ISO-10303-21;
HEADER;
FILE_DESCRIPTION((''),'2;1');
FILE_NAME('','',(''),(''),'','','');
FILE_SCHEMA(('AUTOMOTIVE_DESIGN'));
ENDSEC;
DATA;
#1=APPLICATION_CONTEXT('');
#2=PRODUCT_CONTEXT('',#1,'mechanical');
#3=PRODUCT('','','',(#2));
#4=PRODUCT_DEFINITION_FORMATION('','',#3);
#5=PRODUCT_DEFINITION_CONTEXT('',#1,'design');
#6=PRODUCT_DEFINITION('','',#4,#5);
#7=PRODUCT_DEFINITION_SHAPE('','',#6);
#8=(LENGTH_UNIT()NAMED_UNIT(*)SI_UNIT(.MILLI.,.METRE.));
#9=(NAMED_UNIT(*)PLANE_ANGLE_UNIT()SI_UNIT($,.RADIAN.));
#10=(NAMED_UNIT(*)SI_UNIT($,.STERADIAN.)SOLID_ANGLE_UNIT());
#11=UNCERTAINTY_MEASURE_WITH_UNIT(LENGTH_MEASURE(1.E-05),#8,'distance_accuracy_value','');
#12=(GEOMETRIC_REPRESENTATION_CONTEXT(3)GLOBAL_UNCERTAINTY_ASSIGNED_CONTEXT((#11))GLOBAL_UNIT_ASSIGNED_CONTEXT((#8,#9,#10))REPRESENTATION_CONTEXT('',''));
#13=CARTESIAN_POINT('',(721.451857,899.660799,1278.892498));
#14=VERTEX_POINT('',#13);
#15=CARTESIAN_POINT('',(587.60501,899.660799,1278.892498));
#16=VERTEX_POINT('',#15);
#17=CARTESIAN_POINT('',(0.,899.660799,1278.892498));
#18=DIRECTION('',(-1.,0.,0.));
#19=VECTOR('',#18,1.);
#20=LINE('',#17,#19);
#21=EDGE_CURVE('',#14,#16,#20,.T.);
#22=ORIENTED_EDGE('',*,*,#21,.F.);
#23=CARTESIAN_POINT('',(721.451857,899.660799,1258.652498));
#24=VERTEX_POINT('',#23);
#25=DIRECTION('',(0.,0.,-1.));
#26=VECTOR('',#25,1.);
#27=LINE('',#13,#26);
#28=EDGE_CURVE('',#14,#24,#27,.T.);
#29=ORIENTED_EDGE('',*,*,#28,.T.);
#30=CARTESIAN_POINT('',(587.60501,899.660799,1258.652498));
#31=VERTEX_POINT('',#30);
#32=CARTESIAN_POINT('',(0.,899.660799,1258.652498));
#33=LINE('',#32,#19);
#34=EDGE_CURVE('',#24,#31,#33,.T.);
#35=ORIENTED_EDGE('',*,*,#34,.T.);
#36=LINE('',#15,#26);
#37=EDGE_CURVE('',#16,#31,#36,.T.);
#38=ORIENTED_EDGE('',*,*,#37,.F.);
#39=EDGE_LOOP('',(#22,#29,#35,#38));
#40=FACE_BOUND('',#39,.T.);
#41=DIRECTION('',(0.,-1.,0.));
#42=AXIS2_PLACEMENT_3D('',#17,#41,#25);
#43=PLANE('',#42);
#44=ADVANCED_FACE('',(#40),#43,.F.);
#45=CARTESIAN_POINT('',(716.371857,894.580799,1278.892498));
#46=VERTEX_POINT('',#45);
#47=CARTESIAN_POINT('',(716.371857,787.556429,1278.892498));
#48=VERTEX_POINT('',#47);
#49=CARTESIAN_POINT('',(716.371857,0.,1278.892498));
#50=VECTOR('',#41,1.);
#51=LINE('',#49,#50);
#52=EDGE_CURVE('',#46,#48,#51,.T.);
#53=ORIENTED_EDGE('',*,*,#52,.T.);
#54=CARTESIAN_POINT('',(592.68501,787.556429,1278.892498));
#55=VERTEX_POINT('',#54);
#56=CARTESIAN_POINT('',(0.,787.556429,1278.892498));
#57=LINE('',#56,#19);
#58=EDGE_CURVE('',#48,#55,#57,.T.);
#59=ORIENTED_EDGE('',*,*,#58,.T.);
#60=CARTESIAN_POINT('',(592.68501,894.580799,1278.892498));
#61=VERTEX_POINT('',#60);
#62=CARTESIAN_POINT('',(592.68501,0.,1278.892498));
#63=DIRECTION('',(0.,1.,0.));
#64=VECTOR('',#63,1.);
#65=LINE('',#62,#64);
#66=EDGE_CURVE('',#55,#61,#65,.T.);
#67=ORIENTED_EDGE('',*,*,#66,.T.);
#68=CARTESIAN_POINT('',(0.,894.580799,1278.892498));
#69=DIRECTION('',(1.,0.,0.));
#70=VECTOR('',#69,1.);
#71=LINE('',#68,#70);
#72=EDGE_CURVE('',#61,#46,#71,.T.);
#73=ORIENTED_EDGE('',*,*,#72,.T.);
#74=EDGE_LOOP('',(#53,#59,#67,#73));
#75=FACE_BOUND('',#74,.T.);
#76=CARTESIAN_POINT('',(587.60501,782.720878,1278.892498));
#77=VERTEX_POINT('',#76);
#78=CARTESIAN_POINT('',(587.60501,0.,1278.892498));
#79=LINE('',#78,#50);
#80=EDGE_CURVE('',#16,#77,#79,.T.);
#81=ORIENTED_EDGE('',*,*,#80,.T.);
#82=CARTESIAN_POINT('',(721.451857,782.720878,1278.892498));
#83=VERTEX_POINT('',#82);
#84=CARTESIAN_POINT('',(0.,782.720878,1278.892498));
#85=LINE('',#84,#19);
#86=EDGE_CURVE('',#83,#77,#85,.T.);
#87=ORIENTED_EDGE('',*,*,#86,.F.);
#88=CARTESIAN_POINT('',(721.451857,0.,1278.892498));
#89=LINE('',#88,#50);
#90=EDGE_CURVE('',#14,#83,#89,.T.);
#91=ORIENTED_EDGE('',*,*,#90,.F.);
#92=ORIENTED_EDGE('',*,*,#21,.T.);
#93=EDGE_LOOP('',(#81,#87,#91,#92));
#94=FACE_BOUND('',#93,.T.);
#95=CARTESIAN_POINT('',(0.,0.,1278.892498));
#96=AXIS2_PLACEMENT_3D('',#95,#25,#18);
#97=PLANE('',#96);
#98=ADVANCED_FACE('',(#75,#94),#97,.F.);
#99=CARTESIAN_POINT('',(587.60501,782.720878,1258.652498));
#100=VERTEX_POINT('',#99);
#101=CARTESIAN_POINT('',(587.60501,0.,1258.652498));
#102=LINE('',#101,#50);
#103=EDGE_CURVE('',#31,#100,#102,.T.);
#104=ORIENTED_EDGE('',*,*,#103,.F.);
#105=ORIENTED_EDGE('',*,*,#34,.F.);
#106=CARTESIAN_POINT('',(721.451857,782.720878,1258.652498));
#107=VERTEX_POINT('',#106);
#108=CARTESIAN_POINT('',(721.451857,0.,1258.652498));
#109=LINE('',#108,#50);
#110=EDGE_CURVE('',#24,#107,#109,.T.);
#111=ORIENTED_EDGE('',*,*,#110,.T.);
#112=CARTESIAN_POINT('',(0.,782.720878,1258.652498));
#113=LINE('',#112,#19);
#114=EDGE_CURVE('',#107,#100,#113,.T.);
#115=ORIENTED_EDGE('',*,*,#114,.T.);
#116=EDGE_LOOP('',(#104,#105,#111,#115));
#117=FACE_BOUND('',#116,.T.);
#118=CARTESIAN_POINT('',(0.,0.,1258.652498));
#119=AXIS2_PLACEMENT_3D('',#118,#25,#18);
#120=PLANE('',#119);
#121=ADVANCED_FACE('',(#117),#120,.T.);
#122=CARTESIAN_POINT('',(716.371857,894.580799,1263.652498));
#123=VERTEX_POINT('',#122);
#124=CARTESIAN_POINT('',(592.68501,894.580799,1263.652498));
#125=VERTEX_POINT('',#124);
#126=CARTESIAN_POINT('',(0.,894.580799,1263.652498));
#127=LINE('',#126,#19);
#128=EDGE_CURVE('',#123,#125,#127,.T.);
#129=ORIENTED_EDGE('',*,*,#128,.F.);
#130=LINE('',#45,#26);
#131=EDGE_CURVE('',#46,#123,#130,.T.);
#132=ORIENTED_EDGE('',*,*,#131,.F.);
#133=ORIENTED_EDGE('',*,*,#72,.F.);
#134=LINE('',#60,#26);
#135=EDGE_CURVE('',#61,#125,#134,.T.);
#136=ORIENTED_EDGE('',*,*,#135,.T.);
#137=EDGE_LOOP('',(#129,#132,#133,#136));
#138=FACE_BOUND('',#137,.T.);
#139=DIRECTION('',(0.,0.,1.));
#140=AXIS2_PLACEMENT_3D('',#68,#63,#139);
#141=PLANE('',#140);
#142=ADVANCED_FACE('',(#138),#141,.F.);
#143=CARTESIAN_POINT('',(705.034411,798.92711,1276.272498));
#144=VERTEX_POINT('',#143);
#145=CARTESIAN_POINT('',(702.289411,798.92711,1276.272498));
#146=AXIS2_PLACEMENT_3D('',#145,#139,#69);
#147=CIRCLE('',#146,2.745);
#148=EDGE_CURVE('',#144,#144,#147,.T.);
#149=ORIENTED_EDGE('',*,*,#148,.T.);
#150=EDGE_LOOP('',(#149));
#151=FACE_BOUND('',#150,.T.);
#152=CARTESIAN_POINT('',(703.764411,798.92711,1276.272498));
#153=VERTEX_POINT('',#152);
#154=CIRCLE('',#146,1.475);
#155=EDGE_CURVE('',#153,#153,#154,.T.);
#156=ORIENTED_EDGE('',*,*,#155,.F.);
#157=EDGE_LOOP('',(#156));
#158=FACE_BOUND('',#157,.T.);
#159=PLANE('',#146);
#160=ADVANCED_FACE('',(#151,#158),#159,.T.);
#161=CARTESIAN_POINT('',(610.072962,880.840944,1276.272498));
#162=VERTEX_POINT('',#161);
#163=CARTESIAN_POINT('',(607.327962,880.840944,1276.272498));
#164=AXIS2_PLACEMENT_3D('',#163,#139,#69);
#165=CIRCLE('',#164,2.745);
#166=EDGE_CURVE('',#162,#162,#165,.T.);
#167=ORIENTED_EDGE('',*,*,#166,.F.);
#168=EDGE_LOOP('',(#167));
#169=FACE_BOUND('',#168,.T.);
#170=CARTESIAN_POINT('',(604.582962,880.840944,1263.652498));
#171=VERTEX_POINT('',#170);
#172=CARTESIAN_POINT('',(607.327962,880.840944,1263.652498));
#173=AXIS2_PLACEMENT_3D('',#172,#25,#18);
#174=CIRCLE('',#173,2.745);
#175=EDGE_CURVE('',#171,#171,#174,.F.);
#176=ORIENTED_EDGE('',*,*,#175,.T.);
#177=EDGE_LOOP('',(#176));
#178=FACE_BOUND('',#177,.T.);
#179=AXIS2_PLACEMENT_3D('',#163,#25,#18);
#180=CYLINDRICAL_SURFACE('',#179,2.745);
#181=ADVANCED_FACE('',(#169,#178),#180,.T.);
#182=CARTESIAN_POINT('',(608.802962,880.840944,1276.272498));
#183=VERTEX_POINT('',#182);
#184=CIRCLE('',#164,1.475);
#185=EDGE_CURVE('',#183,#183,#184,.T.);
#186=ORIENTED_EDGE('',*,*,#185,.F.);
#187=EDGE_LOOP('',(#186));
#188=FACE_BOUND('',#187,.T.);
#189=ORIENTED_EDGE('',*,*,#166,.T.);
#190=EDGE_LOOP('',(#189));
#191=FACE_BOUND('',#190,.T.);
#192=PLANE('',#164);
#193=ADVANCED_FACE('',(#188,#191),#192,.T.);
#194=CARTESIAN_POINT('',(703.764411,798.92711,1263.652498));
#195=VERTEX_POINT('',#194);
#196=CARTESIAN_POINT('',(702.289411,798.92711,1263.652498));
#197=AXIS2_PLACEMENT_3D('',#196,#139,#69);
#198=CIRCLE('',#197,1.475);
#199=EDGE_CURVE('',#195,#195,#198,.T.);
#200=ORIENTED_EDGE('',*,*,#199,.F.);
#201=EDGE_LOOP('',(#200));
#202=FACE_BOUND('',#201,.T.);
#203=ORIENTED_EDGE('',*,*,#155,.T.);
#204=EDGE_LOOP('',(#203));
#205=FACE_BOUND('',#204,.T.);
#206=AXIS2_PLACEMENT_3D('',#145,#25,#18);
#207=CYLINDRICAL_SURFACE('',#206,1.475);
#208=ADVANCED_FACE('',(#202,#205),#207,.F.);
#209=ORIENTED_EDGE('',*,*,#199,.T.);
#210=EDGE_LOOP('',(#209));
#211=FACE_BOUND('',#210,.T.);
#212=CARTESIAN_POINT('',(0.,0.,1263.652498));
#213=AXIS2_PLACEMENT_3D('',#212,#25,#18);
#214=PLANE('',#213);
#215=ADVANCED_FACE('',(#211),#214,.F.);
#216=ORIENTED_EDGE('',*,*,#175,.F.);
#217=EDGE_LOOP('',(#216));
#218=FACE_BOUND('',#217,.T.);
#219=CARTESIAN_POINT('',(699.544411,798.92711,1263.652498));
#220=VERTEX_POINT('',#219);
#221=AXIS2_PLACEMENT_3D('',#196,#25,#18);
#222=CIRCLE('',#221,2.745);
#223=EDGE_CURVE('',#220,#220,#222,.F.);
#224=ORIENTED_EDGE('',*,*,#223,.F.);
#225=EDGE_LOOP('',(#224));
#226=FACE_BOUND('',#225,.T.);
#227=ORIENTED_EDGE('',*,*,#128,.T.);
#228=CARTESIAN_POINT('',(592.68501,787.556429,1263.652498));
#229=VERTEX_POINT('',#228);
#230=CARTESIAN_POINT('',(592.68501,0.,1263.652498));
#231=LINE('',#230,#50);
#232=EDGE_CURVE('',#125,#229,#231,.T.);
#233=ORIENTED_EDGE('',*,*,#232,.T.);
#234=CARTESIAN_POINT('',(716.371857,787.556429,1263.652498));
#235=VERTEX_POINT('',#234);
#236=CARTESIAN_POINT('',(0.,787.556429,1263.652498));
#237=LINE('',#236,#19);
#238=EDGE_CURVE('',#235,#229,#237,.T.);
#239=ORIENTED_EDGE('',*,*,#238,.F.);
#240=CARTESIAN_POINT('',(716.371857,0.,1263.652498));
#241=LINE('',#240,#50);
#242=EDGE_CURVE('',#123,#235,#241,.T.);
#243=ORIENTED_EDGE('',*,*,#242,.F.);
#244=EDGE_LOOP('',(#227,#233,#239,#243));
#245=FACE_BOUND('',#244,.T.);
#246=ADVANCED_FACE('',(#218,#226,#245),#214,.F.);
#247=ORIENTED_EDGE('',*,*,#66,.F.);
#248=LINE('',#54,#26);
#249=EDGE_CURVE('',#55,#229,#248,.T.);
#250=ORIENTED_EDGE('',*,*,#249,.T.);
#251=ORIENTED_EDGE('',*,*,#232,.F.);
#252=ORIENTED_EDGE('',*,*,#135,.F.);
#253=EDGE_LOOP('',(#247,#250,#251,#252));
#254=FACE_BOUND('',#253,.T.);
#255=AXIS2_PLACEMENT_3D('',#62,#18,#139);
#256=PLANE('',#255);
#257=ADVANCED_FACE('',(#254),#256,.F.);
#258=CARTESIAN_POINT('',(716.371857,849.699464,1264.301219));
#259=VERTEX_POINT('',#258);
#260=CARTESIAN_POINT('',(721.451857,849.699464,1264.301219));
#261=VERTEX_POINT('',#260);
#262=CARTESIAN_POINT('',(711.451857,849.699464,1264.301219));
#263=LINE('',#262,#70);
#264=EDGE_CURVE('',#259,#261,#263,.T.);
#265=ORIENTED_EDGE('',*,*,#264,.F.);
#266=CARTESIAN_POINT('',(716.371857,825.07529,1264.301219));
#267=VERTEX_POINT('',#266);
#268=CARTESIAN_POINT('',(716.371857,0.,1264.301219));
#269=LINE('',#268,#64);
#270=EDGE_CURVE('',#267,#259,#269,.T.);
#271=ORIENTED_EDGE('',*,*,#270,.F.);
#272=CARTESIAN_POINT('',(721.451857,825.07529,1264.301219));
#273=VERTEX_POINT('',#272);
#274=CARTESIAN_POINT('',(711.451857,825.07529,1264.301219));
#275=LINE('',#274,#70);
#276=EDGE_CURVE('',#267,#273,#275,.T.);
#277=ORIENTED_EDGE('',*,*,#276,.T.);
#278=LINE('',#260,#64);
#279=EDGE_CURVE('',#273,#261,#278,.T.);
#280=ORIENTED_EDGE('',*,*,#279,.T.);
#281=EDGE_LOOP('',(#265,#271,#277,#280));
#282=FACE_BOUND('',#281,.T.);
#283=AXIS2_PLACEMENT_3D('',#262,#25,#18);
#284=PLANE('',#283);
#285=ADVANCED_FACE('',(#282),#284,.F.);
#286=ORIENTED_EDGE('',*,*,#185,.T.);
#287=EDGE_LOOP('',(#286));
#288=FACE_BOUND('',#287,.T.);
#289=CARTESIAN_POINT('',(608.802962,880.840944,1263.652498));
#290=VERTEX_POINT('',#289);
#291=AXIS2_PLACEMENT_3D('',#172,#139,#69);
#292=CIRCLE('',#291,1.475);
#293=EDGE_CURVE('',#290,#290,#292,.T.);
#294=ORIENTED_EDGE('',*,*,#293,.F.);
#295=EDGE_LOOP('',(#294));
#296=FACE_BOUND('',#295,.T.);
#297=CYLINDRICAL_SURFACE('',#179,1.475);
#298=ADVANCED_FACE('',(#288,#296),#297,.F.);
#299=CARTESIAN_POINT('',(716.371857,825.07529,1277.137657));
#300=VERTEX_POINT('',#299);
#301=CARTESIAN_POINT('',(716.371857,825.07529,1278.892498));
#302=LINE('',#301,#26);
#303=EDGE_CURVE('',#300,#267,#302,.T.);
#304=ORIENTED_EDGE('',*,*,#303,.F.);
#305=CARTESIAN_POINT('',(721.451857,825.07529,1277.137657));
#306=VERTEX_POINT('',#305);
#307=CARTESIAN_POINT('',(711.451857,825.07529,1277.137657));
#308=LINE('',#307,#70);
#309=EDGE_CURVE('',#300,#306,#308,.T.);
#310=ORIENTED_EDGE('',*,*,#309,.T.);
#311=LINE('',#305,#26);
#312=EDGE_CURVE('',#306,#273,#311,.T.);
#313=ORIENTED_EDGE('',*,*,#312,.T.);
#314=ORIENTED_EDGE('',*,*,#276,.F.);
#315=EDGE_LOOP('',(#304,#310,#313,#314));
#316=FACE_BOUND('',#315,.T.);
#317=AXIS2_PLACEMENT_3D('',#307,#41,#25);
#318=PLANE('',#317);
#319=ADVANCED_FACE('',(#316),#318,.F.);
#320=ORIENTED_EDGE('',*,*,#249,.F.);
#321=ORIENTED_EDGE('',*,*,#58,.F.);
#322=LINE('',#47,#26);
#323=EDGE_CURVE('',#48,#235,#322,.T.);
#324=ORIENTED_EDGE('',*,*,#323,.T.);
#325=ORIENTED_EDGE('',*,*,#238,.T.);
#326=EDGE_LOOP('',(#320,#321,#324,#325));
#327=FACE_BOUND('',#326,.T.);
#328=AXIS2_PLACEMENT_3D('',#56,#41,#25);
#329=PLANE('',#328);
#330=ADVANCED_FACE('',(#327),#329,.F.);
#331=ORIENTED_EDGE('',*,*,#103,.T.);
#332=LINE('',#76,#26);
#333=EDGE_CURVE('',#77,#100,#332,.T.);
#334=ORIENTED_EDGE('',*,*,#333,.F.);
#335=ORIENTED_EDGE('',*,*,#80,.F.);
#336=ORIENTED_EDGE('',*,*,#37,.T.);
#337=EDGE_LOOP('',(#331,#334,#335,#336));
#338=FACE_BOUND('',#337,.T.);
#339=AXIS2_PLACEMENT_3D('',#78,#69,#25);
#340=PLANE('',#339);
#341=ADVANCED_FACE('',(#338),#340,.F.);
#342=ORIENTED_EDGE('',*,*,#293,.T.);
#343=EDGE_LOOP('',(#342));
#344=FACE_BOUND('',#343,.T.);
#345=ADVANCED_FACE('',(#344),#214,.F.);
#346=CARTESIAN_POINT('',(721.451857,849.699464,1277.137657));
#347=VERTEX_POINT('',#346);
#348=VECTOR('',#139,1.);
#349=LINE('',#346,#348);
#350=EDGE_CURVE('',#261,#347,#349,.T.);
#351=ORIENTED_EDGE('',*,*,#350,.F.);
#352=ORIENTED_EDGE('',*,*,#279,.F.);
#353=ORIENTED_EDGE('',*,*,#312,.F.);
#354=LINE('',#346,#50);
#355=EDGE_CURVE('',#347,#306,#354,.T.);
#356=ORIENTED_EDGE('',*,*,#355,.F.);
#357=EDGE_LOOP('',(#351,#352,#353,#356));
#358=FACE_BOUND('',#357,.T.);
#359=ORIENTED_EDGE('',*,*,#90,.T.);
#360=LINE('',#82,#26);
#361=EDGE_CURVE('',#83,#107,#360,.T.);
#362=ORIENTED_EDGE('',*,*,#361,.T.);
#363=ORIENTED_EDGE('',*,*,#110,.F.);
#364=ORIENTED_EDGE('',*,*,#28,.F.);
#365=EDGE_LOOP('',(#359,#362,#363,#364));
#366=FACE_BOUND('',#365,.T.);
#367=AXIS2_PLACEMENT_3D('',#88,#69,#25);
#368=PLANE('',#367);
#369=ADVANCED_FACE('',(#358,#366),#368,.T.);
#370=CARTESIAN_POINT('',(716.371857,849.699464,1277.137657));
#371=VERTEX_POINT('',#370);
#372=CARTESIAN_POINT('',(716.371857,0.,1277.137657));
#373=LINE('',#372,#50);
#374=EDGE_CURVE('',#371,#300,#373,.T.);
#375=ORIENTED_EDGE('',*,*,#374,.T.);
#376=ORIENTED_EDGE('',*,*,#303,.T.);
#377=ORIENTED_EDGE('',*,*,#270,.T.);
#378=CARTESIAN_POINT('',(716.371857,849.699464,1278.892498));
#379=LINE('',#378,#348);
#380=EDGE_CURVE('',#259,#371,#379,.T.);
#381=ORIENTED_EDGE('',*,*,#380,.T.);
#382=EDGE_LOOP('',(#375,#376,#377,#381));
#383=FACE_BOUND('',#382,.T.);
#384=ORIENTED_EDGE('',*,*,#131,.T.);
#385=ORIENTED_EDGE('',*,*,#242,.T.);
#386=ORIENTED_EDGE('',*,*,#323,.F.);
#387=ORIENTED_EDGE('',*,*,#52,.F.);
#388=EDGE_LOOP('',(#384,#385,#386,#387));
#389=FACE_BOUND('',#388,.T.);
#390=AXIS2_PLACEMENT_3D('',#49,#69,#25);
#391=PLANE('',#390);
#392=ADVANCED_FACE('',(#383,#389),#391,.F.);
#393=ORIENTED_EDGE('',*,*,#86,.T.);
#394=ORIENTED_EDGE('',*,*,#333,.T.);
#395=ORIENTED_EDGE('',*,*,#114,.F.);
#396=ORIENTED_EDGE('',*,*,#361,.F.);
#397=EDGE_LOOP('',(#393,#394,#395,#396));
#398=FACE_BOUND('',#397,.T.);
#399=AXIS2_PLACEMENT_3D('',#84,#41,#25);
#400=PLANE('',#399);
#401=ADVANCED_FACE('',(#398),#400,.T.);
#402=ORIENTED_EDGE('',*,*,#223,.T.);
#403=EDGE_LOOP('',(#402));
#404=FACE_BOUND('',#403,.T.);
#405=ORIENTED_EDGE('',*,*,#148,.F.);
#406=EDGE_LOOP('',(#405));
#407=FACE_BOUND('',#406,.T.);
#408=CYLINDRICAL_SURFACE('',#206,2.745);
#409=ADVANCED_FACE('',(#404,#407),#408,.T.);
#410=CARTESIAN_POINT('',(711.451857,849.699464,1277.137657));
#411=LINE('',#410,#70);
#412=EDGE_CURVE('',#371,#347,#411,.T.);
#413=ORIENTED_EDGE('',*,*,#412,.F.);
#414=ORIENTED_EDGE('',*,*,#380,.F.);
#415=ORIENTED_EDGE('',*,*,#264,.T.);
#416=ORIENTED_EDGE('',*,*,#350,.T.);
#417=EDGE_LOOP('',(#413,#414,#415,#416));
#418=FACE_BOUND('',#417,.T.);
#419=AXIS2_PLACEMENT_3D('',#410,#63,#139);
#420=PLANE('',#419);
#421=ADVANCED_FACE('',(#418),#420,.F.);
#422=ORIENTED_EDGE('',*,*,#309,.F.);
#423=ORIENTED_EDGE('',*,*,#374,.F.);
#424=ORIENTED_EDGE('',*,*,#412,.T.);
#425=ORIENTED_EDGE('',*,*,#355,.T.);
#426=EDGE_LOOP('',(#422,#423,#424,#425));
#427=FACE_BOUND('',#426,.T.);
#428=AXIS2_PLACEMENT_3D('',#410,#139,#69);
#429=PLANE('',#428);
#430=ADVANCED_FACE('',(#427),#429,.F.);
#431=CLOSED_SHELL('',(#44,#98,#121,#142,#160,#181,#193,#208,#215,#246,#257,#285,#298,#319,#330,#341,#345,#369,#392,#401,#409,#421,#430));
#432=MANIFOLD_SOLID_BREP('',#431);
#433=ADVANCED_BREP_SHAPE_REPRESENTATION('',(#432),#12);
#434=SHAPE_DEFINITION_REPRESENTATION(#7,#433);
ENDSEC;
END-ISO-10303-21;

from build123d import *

# Parameters (mm, degrees)
SKETCH1_W           = 123.686846594
SKETCH1_H           = 107.02436985
BOSS_EXTRUDE2_DEPTH = 5
SKETCH2_W           = 133.846846594
SKETCH2_H           = 116.939920661
SKETCH2_W_2         = 123.686846594
SKETCH2_H_2         = 107.02436985
BOSS_EXTRUDE4_DEPTH = 20.24
SKETCH4_R           = 2.745
SKETCH4_R_2         = 1.475
BOSS_EXTRUDE5_DEPTH = 12.62
SKETCH5_W           = 12.83643861
SKETCH5_H           = 24.624173529
CUT_EXTRUDE3_DEPTH  = 10


with BuildPart() as part:
    # Sketch1 → Boss-Extrude2 (new body)
    with BuildSketch(Plane(origin=(0, 0, 1258.652497842), x_dir=(-1, 0, 0), z_dir=(0, 0, -1))):
        with Locations((-654.528433331, 841.068613897)):
            Rectangle(SKETCH1_W, SKETCH1_H)
    extrude(amount=-BOSS_EXTRUDE2_DEPTH)

    # Sketch2 → Boss-Extrude4 (add)
    with BuildSketch(Plane(origin=(0, 0, 1258.652497842), x_dir=(-1, 0, 0), z_dir=(0, 0, -1))):
        with Locations((-654.528433331, 841.190838492)):
            Rectangle(SKETCH2_W, SKETCH2_H)
        with Locations((-654.528433331, 841.068613897)):
            Rectangle(SKETCH2_W_2, SKETCH2_H_2, mode=Mode.SUBTRACT)
    extrude(amount=-BOSS_EXTRUDE4_DEPTH)

    # Sketch4 → Boss-Extrude5 (add)
    # profile 1 of 2: a face of its own
    with BuildSketch(Plane.XY.offset(1263.652497842)):
        with Locations(Location((607.327962296, 880.84094357, 0), (0, 0, 180))):
            Circle(SKETCH4_R)
        with Locations((607.327962296, 880.84094357)):
            Circle(SKETCH4_R_2, mode=Mode.SUBTRACT)
    # profile 2 of 2: a face of its own
    with BuildSketch(Plane.XY.offset(1263.652497842)):
        with Locations(Location((702.289411045, 798.927110343, 0), (0, 0, 180))):
            Circle(SKETCH4_R)
        with Locations((702.289411045, 798.927110343)):
            Circle(SKETCH4_R_2, mode=Mode.SUBTRACT)
    extrude(amount=BOSS_EXTRUDE5_DEPTH)

    # Sketch5 → Cut-Extrude3 (cut)
    with BuildSketch(Plane(origin=(721.451856628, 0, 0), x_dir=(0, 0, -1), z_dir=(1, 0, 0))):
        with Locations((-1270.719437851, 837.387376974)):
            Rectangle(SKETCH5_W, SKETCH5_H)
    extrude(amount=-CUT_EXTRUDE3_DEPTH, mode=Mode.SUBTRACT)


solid = part.part
